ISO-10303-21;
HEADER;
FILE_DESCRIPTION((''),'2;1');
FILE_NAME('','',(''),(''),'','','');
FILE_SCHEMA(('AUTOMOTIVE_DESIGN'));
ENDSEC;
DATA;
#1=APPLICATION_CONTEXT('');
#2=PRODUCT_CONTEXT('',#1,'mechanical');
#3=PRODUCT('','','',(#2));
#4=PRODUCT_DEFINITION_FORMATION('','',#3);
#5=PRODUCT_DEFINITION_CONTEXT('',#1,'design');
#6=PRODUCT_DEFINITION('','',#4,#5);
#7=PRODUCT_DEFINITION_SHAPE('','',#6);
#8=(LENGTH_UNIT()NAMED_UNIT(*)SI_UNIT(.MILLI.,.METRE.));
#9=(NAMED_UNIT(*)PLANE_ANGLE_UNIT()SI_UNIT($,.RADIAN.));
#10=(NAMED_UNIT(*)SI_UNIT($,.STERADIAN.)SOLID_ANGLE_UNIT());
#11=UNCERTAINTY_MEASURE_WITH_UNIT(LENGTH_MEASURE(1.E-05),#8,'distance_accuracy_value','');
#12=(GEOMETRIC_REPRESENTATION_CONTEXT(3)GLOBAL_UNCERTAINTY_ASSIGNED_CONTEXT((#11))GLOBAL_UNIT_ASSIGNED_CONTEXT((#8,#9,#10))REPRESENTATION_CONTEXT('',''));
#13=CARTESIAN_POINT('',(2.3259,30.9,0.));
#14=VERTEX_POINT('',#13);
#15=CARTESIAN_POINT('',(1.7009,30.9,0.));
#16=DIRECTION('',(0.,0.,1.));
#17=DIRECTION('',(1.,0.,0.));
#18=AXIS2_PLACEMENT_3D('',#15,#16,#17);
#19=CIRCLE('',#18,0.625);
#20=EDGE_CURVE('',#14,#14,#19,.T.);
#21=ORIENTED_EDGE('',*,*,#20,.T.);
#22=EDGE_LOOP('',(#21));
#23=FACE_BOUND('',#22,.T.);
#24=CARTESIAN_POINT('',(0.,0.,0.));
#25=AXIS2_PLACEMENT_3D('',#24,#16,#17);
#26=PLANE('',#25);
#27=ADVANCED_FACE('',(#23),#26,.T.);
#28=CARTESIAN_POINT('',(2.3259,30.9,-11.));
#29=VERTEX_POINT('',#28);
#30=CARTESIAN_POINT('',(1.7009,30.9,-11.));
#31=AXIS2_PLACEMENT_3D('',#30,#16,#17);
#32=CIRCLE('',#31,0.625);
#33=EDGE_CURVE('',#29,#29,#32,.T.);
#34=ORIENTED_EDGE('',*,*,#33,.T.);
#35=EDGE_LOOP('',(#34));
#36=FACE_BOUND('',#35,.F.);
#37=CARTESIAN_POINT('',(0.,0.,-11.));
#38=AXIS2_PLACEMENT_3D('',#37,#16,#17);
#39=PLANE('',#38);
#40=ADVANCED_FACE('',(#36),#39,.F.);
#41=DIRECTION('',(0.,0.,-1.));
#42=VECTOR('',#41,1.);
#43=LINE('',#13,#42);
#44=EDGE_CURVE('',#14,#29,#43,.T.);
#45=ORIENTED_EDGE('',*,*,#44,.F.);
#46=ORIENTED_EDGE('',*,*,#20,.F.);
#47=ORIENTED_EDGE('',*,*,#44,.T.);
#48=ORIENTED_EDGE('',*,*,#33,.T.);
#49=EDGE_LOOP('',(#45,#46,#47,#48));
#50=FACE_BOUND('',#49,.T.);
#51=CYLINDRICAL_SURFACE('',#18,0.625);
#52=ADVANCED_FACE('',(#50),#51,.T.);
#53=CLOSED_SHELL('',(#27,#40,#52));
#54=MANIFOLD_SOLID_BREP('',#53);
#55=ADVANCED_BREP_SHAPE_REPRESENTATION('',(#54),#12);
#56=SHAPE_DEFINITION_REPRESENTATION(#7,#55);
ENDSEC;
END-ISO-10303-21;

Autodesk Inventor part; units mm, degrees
ref_plane "YZ Plane" through (0, 0, 0) normal (1, 0, 0) x (0, 1, 0)
ref_plane "XZ Plane" through (0, 0, 0) normal (0, 1, 0) x (-1, 0, 0)
ref_plane "Work Plane1" through (0, 0, 0) normal (0, 0, 1) x (1, 0, 0)
sketch "Sketch1" plane through (0, 0, 0) normal (0, 0, 1) x (1, 0, 0)
  circle A0 centre (1.7009, 30.9) radius 0.625 projected
  point P0 (0, 0)
extrude "Extrusion1" add sketch "Sketch1" against normal blind 11
properties part number "pasador"
